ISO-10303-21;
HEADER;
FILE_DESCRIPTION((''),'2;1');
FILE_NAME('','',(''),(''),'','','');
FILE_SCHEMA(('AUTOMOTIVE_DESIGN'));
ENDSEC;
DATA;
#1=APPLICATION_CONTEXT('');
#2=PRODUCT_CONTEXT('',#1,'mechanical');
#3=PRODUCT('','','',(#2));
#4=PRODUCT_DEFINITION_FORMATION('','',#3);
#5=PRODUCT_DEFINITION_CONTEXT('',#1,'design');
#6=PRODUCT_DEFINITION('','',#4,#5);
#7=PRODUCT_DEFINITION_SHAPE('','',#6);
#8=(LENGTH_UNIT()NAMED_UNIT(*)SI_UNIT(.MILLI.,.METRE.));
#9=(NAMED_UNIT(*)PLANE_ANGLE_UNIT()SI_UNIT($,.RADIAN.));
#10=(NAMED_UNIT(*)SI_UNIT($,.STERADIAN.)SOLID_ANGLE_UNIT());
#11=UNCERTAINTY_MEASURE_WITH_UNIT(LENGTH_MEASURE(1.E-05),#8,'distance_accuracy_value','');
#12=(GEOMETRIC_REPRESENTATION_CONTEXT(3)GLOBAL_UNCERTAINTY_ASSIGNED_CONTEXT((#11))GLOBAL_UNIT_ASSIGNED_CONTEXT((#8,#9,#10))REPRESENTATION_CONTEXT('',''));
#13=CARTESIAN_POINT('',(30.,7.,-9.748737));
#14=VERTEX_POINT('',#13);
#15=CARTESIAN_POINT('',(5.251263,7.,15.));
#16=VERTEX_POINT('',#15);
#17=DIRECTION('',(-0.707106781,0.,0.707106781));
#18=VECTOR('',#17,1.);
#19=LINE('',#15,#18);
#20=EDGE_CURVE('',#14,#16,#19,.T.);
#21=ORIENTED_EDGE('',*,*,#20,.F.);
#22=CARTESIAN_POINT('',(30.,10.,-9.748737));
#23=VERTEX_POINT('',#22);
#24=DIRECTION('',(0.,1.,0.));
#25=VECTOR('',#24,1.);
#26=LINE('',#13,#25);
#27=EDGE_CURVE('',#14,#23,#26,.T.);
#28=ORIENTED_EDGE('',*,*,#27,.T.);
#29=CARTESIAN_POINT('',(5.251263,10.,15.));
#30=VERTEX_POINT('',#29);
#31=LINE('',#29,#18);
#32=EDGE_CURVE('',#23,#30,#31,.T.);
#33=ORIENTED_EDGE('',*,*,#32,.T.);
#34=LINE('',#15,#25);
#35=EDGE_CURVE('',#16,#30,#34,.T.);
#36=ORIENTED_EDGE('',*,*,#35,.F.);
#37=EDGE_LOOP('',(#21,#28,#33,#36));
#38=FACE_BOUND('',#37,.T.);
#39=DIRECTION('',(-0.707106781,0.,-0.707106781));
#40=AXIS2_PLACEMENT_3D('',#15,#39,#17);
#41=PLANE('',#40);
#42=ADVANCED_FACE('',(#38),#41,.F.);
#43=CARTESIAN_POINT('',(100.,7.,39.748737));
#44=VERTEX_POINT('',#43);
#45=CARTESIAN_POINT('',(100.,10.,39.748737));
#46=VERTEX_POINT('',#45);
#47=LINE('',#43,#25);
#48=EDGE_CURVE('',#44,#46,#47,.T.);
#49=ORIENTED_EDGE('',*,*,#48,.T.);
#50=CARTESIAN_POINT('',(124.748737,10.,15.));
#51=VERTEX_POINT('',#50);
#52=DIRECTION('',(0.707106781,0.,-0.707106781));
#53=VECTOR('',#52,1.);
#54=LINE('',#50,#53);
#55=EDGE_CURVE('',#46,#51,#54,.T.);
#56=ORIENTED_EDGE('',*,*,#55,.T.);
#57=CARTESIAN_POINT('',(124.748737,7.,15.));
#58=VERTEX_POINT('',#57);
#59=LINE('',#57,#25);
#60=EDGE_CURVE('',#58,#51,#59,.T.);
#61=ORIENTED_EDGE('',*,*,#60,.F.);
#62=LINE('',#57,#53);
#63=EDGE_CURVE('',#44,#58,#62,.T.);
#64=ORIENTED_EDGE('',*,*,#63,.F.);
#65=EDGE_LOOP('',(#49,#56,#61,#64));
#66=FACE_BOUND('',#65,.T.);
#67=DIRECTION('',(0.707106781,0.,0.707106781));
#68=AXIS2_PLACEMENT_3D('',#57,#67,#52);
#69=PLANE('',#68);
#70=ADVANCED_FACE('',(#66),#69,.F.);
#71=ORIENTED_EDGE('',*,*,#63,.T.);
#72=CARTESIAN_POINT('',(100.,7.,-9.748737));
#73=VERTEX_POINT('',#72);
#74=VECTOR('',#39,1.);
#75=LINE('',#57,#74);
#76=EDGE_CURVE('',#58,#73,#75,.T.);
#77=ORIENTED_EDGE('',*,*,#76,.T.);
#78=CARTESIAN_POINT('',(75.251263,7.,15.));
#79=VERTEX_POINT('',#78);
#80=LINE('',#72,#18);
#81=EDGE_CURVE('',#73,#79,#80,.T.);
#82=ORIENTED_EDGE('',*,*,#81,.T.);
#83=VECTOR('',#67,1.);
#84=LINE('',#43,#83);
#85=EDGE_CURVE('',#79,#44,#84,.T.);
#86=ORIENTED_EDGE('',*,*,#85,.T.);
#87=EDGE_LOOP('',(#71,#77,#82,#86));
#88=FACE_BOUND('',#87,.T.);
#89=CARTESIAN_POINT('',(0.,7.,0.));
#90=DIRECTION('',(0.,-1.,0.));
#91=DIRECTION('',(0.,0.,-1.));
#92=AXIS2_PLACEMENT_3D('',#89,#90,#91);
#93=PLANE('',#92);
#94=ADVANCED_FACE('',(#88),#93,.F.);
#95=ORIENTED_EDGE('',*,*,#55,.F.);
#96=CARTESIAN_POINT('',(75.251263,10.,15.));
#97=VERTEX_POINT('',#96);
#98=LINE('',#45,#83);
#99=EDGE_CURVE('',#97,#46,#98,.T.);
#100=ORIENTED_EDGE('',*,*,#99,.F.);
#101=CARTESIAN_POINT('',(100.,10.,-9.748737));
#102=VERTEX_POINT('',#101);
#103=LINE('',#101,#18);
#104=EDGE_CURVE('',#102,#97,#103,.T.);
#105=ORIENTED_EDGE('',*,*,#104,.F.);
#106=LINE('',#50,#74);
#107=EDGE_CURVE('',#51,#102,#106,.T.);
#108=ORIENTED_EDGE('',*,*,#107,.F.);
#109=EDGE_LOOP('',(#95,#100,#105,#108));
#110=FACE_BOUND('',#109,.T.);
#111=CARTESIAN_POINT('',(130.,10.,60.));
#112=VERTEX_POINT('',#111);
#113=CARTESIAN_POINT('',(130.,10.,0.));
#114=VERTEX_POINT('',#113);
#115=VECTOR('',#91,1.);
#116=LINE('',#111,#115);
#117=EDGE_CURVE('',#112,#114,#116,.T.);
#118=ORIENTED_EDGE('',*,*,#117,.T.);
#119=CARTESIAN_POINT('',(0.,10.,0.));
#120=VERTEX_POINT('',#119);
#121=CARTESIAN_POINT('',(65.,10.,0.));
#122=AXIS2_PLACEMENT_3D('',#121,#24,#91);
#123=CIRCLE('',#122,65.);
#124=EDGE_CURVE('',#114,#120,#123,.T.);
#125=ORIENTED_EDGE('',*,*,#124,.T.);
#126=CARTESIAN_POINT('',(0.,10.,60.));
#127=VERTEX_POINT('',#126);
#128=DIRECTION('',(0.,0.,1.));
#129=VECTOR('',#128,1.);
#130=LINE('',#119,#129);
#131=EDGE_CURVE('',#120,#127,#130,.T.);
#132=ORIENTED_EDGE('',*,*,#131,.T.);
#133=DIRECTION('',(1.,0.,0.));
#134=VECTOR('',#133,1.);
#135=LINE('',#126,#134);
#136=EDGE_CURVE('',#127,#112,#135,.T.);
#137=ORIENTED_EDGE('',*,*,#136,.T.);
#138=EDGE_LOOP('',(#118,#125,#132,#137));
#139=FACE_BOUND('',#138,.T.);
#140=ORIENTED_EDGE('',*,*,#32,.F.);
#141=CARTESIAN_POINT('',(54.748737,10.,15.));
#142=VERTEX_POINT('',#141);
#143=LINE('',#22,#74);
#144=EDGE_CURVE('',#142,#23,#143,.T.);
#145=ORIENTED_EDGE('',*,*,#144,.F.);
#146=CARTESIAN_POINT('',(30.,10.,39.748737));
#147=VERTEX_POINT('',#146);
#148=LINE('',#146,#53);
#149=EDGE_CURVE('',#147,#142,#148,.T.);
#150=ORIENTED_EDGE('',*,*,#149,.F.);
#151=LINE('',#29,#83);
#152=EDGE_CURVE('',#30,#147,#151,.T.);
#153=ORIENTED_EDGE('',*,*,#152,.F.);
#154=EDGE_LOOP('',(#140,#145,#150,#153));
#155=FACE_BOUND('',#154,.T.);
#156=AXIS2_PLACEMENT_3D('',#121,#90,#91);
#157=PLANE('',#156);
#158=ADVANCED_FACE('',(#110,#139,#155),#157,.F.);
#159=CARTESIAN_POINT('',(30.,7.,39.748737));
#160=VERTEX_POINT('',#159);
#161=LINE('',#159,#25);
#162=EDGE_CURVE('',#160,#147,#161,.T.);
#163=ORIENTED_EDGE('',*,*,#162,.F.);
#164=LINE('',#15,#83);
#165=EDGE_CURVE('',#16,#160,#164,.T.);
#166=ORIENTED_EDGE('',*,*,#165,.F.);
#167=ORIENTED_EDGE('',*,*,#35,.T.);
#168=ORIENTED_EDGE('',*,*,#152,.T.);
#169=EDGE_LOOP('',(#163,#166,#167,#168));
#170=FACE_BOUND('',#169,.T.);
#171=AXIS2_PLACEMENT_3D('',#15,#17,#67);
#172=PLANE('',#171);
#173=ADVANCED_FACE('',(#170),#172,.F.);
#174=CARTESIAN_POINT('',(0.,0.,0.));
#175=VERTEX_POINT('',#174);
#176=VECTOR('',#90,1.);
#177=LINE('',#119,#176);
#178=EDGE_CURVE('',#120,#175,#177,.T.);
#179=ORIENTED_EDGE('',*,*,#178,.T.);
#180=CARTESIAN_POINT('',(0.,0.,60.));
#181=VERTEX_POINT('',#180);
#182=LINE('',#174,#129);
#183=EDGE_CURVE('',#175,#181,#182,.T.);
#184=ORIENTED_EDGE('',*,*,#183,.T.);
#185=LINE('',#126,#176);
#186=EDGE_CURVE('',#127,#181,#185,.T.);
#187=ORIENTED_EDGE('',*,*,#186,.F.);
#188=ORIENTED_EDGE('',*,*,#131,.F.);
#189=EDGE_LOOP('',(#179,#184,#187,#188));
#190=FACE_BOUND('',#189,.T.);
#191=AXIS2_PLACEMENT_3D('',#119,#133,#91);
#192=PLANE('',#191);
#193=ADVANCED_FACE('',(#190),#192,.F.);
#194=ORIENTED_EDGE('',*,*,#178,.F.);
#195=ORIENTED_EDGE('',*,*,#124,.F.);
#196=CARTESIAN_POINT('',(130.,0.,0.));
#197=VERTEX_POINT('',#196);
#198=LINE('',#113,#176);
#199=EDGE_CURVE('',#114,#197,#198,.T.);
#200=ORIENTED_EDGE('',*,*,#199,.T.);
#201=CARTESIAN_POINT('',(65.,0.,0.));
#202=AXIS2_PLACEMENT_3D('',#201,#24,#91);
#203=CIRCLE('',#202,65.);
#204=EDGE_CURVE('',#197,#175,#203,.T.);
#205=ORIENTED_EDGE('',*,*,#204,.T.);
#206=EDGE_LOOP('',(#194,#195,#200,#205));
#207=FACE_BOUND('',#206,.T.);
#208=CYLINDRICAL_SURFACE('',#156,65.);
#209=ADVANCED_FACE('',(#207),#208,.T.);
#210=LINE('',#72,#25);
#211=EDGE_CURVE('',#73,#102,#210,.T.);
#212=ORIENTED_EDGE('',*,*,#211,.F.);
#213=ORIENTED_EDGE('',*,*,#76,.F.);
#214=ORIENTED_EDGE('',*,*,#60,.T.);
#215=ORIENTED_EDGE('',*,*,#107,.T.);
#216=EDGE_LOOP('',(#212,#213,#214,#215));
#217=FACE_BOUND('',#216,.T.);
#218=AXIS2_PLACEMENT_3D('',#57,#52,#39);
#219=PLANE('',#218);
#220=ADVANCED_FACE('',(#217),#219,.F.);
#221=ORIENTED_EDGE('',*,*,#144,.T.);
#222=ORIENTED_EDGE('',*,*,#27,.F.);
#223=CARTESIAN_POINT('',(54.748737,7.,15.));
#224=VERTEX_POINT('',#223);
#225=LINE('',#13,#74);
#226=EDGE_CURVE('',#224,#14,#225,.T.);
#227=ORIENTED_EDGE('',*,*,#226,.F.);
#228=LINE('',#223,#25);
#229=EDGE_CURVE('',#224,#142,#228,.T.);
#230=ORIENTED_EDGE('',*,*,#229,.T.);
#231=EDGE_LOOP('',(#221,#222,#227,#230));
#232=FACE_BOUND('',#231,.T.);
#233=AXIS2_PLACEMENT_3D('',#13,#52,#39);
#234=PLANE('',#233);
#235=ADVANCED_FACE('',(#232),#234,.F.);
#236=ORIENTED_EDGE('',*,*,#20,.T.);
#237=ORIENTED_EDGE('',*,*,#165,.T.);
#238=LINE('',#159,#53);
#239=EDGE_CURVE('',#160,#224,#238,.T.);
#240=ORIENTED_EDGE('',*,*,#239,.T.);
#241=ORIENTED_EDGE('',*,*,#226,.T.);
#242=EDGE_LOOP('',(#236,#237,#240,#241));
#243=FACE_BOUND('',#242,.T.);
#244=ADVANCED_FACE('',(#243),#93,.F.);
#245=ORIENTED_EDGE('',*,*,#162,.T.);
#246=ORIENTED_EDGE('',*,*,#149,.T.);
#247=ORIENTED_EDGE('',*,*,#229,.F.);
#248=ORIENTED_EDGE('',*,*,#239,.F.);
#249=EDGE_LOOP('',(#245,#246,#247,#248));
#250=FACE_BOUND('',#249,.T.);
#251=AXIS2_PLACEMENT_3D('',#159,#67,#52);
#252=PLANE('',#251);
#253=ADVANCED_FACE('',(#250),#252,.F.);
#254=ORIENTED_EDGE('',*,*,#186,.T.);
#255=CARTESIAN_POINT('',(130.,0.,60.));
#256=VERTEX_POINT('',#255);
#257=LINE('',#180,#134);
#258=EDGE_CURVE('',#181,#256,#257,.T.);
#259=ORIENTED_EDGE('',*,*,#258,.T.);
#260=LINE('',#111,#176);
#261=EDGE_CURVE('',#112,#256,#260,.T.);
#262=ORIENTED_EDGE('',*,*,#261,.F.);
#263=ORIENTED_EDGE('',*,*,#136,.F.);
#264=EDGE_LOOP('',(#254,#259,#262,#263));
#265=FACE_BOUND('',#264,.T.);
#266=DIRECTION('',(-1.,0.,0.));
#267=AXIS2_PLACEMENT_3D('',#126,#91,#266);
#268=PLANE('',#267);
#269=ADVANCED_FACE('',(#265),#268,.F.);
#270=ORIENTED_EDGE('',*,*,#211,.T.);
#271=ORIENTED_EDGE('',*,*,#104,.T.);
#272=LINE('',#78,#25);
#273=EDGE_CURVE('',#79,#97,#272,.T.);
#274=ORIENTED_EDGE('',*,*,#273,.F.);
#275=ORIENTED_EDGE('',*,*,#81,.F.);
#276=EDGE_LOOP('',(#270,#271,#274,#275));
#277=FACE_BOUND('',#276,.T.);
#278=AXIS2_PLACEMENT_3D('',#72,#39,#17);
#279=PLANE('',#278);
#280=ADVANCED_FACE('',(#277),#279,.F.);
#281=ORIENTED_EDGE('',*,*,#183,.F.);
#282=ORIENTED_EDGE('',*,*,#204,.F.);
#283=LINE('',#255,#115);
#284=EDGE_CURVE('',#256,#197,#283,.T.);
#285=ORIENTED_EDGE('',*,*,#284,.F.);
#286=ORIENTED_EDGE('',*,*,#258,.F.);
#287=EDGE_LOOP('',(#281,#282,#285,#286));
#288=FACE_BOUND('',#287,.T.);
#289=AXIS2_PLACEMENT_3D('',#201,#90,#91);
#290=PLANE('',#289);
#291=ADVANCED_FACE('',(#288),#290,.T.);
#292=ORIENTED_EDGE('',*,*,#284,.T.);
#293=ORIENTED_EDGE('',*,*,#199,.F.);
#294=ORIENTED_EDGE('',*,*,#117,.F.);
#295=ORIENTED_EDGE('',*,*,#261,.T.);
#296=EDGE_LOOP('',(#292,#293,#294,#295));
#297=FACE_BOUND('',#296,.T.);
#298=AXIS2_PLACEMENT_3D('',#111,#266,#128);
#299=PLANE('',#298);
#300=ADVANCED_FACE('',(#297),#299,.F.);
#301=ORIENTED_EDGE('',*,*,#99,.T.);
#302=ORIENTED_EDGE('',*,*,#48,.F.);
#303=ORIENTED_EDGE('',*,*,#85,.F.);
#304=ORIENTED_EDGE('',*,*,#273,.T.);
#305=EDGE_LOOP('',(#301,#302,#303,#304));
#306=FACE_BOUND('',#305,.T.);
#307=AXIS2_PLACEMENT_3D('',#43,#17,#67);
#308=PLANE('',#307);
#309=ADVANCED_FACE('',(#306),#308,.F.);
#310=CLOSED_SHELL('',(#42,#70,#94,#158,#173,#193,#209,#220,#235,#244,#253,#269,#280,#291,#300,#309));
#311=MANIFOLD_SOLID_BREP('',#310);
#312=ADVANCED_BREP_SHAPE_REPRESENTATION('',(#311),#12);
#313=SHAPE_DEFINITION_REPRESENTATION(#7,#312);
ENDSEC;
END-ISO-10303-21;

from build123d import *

# Parameters (mm, degrees)
EXTRUDE_1_DEPTH     = 10
CUT_EXTRUDE_1_DEPTH = 3


with BuildPart() as part:
    # 草图1 → 凸台-拉伸1 (new body)
    with BuildSketch(Plane(origin=(0, 0, 0), x_dir=(1, 0, 0), z_dir=(0, 1, 0))):
        with BuildLine():
            Line((0, 0), (0, -60))
            Line((0, -60), (130, -60))
            Line((130, -60), (130, 0))
            ThreePointArc((130, 0), (65, 65), (0, 0))
        make_face()
    extrude(amount=EXTRUDE_1_DEPTH)

    # 草图2 → 切除-拉伸1 (cut)
    with BuildSketch(Plane(origin=(0, 10, 0), x_dir=(1, 0, 0), z_dir=(0, 1, 0))):
        Polygon((5.251262658, -15), (30, -39.748737342), (54.748737342, -15), (30, 9.748737342), align=None)
        Polygon((100, 9.748737342), (75.251262658, -15), (100, -39.748737342), (124.748737342, -15), align=None)
    extrude(amount=-CUT_EXTRUDE_1_DEPTH, mode=Mode.SUBTRACT)


solid = part.part
